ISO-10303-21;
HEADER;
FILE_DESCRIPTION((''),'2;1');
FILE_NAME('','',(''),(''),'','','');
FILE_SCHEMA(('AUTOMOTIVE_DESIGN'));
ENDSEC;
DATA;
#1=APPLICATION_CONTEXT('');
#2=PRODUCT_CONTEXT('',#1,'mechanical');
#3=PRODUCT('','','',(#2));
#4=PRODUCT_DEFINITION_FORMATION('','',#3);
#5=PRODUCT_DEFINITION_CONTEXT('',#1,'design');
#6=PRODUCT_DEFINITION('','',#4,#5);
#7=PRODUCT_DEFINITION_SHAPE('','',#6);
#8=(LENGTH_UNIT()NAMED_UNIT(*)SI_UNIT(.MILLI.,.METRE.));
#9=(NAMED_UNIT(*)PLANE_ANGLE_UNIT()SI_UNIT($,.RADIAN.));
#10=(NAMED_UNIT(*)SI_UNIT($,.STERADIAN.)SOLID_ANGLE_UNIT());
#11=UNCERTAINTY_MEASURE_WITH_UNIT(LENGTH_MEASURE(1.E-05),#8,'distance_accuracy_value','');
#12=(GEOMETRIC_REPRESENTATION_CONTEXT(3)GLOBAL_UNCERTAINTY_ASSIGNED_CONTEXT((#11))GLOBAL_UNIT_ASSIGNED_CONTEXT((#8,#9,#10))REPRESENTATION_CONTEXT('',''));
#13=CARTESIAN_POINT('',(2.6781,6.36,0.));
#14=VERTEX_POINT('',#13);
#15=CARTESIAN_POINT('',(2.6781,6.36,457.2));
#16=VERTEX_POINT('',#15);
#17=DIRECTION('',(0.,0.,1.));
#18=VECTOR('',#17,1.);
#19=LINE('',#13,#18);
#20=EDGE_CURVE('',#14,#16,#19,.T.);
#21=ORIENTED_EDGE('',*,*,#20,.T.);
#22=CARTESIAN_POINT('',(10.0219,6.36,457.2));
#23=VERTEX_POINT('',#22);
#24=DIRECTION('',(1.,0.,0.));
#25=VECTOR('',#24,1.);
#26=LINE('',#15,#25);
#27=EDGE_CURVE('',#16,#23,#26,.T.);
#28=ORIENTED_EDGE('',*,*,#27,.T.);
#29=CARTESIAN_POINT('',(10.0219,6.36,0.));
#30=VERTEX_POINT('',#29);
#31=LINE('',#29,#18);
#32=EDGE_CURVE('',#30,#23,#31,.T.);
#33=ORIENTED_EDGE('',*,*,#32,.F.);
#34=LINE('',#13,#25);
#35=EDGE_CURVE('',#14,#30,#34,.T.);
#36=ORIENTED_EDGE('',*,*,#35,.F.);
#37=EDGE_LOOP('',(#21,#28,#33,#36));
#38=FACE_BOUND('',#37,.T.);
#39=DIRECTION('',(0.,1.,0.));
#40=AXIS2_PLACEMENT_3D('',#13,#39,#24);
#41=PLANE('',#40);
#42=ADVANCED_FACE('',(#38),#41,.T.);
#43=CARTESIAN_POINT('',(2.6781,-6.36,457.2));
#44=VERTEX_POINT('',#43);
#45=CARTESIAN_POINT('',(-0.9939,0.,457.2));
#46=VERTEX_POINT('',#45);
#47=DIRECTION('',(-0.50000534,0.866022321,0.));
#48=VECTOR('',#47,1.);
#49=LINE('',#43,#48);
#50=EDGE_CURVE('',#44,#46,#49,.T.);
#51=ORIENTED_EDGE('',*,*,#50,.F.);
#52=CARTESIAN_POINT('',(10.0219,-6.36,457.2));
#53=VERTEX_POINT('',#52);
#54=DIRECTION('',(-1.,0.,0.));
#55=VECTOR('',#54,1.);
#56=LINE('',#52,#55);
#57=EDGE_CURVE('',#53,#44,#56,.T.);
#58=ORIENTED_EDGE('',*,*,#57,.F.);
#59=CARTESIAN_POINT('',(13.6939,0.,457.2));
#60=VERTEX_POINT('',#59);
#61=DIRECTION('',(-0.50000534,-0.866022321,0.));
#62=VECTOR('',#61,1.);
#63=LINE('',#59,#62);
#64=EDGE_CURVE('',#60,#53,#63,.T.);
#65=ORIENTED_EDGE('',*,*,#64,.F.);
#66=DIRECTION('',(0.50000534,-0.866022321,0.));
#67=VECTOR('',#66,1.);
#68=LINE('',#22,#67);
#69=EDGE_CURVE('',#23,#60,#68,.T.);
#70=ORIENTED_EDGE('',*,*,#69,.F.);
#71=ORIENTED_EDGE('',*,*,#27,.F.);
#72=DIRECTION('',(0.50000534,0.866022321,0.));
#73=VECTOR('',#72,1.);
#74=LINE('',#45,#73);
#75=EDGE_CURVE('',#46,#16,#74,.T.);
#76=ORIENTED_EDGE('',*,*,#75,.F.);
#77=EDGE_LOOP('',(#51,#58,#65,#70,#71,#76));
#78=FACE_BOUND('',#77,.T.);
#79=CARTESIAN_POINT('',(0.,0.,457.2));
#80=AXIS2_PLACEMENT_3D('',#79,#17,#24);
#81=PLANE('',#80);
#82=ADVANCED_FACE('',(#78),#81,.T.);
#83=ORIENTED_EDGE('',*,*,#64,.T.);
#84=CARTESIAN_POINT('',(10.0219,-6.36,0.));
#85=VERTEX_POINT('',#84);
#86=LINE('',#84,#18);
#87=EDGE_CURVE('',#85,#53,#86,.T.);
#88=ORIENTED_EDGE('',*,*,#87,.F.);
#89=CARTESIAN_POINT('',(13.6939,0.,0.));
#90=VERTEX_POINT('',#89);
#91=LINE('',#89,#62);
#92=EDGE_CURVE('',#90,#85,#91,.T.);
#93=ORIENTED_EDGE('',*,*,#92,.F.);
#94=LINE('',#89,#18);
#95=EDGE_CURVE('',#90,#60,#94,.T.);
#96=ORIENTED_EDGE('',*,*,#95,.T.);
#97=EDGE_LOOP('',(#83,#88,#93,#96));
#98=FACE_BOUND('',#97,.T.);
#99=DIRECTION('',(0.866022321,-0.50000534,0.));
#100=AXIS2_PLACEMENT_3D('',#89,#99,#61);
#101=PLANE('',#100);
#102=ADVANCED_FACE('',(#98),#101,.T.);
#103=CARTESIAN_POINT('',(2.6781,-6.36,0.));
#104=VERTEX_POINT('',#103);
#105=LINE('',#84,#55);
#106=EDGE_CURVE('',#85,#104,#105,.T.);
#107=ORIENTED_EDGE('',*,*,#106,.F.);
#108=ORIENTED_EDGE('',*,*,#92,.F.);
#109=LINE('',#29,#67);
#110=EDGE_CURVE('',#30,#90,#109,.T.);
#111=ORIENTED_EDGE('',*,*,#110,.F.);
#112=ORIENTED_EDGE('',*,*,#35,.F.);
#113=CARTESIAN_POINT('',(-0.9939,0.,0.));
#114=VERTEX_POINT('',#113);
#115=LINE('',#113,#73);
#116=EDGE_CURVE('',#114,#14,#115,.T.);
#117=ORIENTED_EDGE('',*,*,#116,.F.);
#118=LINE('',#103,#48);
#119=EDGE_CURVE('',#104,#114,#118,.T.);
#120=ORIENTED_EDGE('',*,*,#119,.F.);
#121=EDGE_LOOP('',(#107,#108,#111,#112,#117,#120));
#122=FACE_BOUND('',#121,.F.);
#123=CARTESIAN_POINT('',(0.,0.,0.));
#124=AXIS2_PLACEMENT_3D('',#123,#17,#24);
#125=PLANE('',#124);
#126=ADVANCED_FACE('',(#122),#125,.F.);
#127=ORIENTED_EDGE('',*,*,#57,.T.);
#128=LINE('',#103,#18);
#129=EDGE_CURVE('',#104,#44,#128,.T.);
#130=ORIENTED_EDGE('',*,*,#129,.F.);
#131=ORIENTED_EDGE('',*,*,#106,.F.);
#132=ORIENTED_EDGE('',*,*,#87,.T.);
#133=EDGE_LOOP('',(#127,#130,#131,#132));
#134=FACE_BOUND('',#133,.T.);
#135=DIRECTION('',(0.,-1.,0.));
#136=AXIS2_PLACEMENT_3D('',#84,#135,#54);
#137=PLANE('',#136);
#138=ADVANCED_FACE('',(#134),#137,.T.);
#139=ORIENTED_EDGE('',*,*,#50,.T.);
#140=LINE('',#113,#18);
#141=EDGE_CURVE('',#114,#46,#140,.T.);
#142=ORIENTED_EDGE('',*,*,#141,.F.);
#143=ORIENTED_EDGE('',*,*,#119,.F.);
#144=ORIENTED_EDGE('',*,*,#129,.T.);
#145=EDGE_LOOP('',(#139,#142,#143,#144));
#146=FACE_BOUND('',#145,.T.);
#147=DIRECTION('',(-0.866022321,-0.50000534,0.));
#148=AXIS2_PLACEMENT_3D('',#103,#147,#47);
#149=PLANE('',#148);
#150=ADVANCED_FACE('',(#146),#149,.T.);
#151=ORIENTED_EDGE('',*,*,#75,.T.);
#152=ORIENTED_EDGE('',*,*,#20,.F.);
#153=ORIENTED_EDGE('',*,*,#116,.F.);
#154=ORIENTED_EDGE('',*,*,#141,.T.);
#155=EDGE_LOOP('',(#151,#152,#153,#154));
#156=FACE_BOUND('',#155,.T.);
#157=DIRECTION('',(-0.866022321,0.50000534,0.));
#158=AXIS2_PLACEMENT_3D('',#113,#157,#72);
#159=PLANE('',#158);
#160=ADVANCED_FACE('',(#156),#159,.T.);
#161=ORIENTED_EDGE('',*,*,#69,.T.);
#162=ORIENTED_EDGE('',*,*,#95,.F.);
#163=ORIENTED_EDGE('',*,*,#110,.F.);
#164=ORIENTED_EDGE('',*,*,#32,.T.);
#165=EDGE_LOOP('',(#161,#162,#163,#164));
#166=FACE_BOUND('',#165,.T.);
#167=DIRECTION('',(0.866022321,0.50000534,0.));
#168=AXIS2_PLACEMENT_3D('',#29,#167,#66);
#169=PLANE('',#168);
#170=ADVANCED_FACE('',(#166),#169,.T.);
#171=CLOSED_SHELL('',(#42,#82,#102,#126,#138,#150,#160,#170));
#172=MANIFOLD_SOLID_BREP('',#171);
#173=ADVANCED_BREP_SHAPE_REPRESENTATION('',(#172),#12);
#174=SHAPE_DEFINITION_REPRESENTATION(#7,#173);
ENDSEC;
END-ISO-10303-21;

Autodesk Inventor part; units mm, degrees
ref_plane "YZ Plane" through (0, 0, 0) normal (1, 0, 0) x (0, 1, 0)
ref_plane "XZ Plane" through (0, 0, 0) normal (0, 1, 0) x (-1, 0, 0)
ref_plane "XY Plane" through (0, 0, 0) normal (0, 0, 1) x (1, 0, 0)
sketch "Sketch1" plane through (0, 0, 0) normal (0, 0, 1) x (1, 0, 0)
  line L0 (2.6781, 6.36) -> (10.0219, 6.36) projected
  line L1 (-0.9939, 0) -> (2.6781, 6.36) projected
  line L2 (2.6781, -6.36) -> (-0.9939, 0) projected
  line L3 (10.0219, -6.36) -> (2.6781, -6.36) projected
  line L4 (13.6939, 0) -> (10.0219, -6.36) projected
  line L5 (10.0219, 6.36) -> (13.6939, 0) projected
  point P0 (0, 0)
extrude "Extrusion1" add sketch "Sketch1" along normal blind 457.2
properties part number "bigShaft2"
